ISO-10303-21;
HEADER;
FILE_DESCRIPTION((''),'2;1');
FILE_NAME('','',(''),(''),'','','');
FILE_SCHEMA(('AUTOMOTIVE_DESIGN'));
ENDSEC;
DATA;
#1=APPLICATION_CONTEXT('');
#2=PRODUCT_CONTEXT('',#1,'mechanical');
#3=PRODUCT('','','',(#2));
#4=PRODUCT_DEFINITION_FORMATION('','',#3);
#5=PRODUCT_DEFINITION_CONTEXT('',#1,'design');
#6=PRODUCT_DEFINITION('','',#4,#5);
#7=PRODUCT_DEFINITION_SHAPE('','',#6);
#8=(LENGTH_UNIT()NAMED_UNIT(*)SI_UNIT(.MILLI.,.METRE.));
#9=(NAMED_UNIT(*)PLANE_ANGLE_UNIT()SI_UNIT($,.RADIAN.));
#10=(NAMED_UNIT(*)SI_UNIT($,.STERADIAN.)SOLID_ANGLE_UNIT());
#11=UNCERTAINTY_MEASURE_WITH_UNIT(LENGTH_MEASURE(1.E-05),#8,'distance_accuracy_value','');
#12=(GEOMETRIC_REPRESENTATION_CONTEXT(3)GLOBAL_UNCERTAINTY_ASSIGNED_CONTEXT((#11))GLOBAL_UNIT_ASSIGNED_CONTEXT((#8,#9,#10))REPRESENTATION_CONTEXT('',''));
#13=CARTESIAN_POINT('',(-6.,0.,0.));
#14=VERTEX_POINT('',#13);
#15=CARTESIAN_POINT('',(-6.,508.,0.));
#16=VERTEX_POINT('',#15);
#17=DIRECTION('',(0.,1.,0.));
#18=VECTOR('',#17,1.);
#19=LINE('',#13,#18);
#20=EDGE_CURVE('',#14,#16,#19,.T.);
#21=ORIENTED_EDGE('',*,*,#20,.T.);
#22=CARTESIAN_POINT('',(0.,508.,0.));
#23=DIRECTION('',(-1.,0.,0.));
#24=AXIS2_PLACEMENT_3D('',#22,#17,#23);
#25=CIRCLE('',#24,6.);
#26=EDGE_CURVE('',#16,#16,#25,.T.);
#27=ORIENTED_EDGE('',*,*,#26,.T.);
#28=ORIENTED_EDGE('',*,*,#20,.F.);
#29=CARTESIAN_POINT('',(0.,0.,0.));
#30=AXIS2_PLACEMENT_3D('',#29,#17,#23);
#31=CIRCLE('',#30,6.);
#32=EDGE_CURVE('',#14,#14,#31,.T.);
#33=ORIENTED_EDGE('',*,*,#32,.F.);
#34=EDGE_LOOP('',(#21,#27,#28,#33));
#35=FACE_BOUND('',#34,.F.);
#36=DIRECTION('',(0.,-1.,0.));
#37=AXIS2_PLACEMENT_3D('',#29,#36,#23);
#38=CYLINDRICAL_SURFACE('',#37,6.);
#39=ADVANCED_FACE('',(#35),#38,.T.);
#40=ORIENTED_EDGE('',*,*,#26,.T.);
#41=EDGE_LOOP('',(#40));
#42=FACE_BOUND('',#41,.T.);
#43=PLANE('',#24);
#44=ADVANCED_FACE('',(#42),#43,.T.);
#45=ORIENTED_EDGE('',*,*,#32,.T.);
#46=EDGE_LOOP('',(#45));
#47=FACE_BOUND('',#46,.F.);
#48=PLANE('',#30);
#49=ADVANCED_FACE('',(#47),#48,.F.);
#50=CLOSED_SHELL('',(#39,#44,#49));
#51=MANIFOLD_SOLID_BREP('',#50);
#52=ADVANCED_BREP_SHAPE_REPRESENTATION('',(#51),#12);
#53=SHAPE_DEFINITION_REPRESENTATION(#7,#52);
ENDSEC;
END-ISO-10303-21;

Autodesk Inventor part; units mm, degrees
ref_plane "YZ Plane" through (0, 0, 0) normal (1, 0, 0) x (0, 1, 0)
ref_plane "XZ Plane" through (0, 0, 0) normal (0, 1, 0) x (-1, 0, 0)
ref_plane "XY Plane" through (0, 0, 0) normal (0, 0, 1) x (1, 0, 0)
sketch "Sketch1" plane through (0, 0, 0) normal (0, 1, 0) x (-1, 0, 0)
  circle A0 centre (0, 0) radius 6
  dimension "d0" = 12
extrude "Extrusion1" add sketch "Sketch1" along normal blind 508
properties part number "12mmRail_20inches"
